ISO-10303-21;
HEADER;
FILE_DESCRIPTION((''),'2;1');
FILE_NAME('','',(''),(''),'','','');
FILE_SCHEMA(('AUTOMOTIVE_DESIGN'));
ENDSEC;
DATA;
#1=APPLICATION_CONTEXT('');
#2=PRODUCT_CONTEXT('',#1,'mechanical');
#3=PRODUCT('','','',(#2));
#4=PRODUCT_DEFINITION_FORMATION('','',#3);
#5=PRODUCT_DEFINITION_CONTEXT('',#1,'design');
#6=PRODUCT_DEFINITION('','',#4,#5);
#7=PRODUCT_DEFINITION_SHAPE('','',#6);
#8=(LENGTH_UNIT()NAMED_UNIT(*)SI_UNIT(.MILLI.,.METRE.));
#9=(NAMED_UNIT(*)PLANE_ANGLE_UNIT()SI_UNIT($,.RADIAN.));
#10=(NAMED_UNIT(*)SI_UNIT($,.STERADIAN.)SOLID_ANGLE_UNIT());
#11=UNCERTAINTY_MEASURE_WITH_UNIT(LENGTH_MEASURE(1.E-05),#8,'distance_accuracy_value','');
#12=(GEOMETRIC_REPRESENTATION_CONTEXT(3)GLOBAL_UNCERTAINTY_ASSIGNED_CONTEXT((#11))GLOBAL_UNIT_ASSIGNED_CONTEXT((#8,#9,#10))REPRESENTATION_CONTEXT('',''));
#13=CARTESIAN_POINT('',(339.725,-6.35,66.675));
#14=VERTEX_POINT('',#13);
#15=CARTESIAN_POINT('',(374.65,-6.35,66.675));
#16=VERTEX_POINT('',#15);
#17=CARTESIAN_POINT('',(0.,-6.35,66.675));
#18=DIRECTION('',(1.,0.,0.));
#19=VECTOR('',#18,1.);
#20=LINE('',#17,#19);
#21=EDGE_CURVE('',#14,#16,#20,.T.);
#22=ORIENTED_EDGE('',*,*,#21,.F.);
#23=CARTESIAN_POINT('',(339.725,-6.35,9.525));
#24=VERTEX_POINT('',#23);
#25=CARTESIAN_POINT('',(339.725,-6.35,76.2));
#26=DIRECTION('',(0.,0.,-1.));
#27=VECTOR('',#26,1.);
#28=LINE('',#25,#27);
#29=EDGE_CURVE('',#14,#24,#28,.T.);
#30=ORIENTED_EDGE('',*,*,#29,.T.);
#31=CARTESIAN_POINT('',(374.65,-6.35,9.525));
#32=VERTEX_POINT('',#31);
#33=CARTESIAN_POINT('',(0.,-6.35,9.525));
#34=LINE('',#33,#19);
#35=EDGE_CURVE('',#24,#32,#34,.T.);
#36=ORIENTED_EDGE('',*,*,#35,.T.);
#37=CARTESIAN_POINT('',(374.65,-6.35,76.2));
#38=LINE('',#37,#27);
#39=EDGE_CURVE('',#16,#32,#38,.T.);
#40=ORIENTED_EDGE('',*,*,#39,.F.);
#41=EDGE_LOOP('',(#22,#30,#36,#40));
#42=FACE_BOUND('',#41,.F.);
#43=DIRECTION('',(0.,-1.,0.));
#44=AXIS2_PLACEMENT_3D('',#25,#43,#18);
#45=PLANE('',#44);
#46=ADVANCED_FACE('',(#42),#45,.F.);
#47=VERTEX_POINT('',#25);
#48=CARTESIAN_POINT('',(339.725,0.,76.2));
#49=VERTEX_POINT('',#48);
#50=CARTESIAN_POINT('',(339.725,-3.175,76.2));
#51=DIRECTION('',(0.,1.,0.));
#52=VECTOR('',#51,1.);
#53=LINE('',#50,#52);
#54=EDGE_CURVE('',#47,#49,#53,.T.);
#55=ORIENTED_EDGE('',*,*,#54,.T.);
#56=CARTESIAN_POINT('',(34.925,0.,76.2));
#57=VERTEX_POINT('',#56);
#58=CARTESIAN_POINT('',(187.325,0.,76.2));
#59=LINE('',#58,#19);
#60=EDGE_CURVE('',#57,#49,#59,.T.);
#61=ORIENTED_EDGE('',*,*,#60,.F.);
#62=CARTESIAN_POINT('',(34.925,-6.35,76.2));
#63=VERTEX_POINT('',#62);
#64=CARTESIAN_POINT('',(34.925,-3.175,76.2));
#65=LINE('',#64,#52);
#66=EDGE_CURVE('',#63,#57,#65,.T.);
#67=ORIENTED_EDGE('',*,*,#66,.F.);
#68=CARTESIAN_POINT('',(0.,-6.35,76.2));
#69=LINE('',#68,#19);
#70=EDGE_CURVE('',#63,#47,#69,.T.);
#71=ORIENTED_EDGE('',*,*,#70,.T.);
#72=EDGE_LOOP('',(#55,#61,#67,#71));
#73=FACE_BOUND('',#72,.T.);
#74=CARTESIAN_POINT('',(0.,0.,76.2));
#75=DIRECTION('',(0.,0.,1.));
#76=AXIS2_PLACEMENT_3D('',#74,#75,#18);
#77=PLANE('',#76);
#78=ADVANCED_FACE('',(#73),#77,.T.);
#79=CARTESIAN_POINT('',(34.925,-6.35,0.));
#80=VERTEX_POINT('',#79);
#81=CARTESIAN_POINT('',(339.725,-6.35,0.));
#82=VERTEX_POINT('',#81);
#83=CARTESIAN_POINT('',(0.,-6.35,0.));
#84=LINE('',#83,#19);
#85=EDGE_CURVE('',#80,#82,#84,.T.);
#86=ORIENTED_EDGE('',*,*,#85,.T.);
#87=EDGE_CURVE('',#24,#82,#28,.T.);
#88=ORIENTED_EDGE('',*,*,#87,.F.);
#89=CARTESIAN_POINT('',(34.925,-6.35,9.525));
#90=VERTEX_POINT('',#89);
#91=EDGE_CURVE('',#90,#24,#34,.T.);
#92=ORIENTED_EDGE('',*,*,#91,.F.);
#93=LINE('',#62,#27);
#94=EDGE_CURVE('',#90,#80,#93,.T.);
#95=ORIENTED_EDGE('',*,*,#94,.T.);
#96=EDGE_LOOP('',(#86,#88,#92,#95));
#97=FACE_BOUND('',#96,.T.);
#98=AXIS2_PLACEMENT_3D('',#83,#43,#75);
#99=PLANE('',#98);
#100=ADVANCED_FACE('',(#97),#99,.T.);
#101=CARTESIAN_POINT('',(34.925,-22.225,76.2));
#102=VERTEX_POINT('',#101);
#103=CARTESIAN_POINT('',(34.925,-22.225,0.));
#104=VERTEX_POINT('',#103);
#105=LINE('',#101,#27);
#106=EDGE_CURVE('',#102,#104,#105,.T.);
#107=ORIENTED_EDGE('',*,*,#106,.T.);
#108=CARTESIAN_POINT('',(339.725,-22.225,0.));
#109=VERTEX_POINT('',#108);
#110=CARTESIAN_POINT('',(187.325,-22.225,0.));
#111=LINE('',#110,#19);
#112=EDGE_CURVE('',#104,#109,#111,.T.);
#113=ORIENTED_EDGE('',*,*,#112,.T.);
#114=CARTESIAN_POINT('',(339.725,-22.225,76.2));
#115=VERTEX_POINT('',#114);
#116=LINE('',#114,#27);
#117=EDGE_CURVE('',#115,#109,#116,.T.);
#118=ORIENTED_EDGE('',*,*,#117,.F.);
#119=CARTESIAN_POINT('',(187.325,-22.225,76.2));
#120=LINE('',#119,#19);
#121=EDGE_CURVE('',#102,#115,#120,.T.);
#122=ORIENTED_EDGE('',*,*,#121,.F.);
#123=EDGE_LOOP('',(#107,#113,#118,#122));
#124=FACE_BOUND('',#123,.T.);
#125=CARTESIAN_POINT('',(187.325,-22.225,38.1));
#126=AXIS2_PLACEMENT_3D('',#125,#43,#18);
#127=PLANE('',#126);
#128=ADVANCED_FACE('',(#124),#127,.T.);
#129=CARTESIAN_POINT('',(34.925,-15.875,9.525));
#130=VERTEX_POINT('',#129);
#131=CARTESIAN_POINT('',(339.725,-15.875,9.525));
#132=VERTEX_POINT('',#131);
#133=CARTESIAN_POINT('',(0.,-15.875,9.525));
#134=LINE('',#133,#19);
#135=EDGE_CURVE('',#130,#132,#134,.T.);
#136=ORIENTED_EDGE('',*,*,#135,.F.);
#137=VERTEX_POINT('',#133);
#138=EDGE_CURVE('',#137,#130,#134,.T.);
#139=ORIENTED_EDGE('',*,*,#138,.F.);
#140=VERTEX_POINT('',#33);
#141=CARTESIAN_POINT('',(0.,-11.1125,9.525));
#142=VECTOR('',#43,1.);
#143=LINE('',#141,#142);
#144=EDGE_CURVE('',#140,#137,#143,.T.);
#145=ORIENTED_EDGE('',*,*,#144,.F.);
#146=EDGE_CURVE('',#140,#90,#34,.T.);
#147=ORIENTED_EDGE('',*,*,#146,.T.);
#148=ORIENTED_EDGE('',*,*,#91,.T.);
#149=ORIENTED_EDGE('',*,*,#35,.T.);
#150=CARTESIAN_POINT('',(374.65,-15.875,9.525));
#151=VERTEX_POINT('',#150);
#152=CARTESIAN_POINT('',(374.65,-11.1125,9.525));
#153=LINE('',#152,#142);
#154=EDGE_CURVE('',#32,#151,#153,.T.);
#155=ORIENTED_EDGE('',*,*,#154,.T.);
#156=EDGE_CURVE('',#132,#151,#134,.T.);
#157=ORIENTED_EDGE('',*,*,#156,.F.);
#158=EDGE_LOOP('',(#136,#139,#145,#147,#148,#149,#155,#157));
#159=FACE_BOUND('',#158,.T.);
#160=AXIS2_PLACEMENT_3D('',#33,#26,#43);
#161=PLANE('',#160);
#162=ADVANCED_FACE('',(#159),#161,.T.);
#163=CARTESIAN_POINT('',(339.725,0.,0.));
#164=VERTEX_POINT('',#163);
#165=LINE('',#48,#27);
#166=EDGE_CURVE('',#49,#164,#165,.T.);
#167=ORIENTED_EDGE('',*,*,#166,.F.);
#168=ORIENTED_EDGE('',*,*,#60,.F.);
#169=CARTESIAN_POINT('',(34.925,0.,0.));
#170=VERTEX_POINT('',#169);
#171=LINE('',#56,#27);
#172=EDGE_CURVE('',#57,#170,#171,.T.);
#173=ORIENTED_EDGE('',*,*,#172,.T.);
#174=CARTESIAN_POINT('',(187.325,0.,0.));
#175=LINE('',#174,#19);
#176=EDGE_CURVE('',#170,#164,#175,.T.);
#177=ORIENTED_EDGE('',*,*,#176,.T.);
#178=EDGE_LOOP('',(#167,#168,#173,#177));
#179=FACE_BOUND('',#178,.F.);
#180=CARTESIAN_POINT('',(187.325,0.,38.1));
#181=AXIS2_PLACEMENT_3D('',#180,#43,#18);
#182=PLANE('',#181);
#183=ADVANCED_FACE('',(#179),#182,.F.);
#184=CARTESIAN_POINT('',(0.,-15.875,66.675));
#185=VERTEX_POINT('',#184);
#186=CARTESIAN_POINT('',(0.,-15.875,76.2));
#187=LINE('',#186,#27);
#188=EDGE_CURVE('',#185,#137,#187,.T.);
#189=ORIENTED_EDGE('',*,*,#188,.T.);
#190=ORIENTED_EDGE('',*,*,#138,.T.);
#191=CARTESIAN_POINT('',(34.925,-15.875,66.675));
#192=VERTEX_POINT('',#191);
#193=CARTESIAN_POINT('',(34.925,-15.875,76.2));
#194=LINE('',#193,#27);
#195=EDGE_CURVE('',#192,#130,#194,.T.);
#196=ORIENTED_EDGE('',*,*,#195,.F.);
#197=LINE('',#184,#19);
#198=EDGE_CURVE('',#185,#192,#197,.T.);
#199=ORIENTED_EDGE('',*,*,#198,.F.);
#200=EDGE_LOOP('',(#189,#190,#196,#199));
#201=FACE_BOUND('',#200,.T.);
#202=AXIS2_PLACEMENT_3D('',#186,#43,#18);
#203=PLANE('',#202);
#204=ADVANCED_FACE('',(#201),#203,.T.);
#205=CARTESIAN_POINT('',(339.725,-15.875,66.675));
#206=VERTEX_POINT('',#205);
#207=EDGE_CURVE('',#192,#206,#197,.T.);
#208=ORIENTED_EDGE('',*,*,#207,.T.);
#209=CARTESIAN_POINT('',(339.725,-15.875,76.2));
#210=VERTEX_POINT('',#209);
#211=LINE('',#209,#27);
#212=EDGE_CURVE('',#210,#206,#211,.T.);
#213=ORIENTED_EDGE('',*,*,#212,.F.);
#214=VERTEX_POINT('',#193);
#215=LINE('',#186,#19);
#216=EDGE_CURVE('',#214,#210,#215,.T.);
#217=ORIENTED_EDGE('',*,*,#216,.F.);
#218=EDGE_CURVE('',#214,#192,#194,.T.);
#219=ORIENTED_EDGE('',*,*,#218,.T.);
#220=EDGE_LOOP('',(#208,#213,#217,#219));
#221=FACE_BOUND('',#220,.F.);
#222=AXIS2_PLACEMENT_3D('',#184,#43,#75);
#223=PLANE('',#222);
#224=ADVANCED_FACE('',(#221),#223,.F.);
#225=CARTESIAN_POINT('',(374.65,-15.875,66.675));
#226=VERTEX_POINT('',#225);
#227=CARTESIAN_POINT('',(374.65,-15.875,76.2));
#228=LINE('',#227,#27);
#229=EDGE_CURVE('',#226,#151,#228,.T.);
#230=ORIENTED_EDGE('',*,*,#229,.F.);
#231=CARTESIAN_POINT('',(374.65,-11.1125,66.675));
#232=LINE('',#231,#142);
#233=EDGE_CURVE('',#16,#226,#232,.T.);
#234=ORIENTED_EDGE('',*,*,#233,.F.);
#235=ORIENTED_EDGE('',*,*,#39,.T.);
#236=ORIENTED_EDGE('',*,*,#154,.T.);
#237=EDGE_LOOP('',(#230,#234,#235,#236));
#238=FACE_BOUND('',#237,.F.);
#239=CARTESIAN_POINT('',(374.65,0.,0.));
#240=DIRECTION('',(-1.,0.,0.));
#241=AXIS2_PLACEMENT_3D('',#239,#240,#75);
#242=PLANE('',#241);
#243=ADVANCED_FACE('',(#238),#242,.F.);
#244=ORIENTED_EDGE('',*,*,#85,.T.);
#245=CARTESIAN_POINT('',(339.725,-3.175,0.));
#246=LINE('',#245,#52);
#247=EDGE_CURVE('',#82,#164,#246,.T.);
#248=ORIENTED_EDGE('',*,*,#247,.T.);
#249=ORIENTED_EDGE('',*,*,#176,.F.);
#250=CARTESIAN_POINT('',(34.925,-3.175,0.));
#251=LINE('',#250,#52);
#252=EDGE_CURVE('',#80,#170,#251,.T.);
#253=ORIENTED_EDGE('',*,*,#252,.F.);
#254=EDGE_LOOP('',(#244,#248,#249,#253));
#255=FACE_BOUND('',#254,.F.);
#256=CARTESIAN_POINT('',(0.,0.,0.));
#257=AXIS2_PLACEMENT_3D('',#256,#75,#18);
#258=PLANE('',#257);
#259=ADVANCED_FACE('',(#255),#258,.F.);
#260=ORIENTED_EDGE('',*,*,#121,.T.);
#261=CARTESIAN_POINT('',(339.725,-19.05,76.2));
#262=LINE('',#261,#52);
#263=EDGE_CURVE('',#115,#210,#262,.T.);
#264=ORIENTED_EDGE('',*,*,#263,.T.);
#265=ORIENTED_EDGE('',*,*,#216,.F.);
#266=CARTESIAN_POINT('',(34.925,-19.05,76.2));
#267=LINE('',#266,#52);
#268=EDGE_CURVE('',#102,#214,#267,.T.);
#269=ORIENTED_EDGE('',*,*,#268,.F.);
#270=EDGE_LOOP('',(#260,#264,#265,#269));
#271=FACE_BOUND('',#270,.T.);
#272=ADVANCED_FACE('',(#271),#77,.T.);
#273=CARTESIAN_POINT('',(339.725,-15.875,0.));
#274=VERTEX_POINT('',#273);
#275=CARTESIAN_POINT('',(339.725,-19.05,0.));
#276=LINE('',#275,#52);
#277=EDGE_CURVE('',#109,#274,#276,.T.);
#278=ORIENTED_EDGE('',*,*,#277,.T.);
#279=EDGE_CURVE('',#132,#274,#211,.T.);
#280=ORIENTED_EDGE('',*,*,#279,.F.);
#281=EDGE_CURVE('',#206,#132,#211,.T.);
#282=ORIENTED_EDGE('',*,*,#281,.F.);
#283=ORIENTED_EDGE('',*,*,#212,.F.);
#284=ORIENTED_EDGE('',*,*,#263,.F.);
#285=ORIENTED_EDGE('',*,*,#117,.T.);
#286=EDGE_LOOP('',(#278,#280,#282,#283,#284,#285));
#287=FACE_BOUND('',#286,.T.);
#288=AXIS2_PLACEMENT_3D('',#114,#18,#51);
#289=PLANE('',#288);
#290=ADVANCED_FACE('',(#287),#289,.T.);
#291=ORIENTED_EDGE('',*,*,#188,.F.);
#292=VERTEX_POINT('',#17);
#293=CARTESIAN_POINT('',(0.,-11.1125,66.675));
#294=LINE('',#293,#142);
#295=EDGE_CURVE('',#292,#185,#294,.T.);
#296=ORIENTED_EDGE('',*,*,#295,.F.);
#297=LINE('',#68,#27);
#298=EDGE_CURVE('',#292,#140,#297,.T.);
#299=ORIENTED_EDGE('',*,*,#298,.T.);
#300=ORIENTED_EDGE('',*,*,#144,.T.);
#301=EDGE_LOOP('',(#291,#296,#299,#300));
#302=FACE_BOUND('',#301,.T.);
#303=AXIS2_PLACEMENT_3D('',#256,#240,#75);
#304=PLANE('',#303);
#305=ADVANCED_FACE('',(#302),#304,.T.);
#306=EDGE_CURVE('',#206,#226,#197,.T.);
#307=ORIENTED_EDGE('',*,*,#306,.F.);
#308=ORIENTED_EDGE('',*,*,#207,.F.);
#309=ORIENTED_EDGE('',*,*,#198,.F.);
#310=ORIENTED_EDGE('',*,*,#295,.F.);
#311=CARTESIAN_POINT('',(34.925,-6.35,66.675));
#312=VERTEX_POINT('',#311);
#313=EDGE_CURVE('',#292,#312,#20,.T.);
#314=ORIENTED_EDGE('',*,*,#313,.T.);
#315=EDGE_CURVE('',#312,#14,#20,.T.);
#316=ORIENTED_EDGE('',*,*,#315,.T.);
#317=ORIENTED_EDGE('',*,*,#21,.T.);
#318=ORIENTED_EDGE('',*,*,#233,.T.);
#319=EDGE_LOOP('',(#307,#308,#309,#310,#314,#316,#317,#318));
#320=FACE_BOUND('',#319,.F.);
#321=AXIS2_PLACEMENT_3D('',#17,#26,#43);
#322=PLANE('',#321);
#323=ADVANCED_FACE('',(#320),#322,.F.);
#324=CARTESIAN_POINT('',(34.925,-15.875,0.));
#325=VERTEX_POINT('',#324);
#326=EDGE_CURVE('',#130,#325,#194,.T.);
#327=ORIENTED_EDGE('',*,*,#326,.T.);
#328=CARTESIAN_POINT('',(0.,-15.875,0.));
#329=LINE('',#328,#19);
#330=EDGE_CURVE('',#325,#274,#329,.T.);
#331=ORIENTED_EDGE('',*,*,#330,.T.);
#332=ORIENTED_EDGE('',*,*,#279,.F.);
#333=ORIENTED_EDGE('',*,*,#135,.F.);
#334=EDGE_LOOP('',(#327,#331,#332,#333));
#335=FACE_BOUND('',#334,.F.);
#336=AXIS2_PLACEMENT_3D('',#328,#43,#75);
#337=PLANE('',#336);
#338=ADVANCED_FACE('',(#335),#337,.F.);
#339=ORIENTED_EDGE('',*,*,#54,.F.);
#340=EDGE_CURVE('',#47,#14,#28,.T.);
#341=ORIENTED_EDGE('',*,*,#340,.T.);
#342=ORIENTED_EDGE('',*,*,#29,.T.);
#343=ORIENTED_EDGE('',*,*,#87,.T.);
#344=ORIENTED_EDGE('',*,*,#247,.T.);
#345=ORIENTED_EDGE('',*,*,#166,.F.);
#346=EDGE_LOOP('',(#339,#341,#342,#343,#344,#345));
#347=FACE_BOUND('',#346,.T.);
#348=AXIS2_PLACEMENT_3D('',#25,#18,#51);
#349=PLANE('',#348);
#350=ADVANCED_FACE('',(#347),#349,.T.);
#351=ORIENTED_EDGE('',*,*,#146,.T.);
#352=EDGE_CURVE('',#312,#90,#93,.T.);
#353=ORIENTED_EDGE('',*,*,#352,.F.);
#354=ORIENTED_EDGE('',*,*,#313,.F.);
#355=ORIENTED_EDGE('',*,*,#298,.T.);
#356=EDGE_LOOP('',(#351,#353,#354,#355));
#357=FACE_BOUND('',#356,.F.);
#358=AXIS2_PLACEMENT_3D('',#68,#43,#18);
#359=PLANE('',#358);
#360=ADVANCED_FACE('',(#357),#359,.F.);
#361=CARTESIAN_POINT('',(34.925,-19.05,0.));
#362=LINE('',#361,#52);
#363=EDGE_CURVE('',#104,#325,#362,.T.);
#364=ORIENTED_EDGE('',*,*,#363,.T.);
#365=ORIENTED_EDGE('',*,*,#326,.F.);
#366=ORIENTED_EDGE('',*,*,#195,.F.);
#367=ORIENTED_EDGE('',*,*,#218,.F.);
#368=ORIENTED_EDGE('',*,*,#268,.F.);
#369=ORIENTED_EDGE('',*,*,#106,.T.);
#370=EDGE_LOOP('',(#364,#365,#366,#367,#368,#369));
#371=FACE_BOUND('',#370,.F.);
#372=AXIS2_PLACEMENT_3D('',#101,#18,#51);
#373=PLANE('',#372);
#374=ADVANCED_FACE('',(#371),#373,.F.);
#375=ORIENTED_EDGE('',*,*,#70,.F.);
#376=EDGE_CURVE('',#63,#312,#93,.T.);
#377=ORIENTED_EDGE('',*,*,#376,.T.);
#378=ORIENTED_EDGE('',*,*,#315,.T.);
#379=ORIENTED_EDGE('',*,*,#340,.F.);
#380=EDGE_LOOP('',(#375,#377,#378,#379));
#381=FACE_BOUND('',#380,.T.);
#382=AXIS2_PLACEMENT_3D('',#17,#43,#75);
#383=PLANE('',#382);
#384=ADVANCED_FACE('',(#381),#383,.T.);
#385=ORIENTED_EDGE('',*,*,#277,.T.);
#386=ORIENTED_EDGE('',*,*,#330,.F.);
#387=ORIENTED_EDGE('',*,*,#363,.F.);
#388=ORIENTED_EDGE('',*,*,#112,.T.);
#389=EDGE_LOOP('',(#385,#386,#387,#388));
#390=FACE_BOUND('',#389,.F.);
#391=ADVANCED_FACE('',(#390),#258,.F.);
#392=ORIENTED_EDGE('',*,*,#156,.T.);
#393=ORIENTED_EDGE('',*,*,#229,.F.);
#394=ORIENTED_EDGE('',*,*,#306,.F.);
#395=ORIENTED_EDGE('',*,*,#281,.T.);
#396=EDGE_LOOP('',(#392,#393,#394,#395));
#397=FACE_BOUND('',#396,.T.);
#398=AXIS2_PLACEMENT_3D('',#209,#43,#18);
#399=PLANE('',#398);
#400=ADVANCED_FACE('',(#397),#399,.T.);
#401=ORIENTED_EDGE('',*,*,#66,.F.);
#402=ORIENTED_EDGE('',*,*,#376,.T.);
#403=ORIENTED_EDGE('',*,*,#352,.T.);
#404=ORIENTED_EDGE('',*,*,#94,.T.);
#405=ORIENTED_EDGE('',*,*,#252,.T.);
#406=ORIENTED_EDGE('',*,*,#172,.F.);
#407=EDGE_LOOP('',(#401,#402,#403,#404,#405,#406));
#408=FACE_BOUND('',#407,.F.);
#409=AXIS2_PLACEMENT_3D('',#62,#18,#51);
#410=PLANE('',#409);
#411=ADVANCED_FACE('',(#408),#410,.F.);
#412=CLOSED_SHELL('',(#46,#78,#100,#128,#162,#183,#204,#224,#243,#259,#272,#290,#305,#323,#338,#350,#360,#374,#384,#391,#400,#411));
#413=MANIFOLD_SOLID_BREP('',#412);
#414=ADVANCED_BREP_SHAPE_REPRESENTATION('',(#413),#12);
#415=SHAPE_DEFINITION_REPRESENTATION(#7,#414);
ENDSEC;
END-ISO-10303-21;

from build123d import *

# Parameters (mm, degrees)
F0_W     = 374.65
F0_H     = 76.2
F1_DEPTH = 22.225
F2_W     = 34.925
F2_H     = 6.35
F3_DEPTH = 76.2
F4_W     = 9.525
F4_H     = 9.525
F5_DEPTH = 374.65


with BuildPart() as f1:
    # F0 (on Front) → F1 (new body)
    with BuildSketch(Plane.XZ):
        with Locations((187.325, 38.1)):
            Rectangle(F0_W, F0_H)
    extrude(amount=F1_DEPTH)

    # F2 (on face) → F3 (cut, through all)
    with BuildSketch(Plane.XY.offset(76.2)):
        with Locations((17.4625, -3.175)):
            Rectangle(F2_W, F2_H)
        with Locations((17.4625, -19.05)):
            Rectangle(F2_W, F2_H)
        with Locations((357.1875, -3.175)):
            Rectangle(F2_W, F2_H)
        with Locations((357.1875, -19.05)):
            Rectangle(F2_W, F2_H)
    extrude(amount=-F3_DEPTH, mode=Mode.SUBTRACT)

    # F4 (on face) → F5 (cut, through all)
    with BuildSketch(Plane(origin=(0, 0, 0), x_dir=(0, -1, 0), z_dir=(-1, 0, 0))):
        with Locations((11.1125, 71.4375)):
            Rectangle(F4_W, F4_H)
        with Locations((11.1125, 4.7625)):
            Rectangle(F4_W, F4_H)
    extrude(amount=-F5_DEPTH, mode=Mode.SUBTRACT)


solid = f1.part
